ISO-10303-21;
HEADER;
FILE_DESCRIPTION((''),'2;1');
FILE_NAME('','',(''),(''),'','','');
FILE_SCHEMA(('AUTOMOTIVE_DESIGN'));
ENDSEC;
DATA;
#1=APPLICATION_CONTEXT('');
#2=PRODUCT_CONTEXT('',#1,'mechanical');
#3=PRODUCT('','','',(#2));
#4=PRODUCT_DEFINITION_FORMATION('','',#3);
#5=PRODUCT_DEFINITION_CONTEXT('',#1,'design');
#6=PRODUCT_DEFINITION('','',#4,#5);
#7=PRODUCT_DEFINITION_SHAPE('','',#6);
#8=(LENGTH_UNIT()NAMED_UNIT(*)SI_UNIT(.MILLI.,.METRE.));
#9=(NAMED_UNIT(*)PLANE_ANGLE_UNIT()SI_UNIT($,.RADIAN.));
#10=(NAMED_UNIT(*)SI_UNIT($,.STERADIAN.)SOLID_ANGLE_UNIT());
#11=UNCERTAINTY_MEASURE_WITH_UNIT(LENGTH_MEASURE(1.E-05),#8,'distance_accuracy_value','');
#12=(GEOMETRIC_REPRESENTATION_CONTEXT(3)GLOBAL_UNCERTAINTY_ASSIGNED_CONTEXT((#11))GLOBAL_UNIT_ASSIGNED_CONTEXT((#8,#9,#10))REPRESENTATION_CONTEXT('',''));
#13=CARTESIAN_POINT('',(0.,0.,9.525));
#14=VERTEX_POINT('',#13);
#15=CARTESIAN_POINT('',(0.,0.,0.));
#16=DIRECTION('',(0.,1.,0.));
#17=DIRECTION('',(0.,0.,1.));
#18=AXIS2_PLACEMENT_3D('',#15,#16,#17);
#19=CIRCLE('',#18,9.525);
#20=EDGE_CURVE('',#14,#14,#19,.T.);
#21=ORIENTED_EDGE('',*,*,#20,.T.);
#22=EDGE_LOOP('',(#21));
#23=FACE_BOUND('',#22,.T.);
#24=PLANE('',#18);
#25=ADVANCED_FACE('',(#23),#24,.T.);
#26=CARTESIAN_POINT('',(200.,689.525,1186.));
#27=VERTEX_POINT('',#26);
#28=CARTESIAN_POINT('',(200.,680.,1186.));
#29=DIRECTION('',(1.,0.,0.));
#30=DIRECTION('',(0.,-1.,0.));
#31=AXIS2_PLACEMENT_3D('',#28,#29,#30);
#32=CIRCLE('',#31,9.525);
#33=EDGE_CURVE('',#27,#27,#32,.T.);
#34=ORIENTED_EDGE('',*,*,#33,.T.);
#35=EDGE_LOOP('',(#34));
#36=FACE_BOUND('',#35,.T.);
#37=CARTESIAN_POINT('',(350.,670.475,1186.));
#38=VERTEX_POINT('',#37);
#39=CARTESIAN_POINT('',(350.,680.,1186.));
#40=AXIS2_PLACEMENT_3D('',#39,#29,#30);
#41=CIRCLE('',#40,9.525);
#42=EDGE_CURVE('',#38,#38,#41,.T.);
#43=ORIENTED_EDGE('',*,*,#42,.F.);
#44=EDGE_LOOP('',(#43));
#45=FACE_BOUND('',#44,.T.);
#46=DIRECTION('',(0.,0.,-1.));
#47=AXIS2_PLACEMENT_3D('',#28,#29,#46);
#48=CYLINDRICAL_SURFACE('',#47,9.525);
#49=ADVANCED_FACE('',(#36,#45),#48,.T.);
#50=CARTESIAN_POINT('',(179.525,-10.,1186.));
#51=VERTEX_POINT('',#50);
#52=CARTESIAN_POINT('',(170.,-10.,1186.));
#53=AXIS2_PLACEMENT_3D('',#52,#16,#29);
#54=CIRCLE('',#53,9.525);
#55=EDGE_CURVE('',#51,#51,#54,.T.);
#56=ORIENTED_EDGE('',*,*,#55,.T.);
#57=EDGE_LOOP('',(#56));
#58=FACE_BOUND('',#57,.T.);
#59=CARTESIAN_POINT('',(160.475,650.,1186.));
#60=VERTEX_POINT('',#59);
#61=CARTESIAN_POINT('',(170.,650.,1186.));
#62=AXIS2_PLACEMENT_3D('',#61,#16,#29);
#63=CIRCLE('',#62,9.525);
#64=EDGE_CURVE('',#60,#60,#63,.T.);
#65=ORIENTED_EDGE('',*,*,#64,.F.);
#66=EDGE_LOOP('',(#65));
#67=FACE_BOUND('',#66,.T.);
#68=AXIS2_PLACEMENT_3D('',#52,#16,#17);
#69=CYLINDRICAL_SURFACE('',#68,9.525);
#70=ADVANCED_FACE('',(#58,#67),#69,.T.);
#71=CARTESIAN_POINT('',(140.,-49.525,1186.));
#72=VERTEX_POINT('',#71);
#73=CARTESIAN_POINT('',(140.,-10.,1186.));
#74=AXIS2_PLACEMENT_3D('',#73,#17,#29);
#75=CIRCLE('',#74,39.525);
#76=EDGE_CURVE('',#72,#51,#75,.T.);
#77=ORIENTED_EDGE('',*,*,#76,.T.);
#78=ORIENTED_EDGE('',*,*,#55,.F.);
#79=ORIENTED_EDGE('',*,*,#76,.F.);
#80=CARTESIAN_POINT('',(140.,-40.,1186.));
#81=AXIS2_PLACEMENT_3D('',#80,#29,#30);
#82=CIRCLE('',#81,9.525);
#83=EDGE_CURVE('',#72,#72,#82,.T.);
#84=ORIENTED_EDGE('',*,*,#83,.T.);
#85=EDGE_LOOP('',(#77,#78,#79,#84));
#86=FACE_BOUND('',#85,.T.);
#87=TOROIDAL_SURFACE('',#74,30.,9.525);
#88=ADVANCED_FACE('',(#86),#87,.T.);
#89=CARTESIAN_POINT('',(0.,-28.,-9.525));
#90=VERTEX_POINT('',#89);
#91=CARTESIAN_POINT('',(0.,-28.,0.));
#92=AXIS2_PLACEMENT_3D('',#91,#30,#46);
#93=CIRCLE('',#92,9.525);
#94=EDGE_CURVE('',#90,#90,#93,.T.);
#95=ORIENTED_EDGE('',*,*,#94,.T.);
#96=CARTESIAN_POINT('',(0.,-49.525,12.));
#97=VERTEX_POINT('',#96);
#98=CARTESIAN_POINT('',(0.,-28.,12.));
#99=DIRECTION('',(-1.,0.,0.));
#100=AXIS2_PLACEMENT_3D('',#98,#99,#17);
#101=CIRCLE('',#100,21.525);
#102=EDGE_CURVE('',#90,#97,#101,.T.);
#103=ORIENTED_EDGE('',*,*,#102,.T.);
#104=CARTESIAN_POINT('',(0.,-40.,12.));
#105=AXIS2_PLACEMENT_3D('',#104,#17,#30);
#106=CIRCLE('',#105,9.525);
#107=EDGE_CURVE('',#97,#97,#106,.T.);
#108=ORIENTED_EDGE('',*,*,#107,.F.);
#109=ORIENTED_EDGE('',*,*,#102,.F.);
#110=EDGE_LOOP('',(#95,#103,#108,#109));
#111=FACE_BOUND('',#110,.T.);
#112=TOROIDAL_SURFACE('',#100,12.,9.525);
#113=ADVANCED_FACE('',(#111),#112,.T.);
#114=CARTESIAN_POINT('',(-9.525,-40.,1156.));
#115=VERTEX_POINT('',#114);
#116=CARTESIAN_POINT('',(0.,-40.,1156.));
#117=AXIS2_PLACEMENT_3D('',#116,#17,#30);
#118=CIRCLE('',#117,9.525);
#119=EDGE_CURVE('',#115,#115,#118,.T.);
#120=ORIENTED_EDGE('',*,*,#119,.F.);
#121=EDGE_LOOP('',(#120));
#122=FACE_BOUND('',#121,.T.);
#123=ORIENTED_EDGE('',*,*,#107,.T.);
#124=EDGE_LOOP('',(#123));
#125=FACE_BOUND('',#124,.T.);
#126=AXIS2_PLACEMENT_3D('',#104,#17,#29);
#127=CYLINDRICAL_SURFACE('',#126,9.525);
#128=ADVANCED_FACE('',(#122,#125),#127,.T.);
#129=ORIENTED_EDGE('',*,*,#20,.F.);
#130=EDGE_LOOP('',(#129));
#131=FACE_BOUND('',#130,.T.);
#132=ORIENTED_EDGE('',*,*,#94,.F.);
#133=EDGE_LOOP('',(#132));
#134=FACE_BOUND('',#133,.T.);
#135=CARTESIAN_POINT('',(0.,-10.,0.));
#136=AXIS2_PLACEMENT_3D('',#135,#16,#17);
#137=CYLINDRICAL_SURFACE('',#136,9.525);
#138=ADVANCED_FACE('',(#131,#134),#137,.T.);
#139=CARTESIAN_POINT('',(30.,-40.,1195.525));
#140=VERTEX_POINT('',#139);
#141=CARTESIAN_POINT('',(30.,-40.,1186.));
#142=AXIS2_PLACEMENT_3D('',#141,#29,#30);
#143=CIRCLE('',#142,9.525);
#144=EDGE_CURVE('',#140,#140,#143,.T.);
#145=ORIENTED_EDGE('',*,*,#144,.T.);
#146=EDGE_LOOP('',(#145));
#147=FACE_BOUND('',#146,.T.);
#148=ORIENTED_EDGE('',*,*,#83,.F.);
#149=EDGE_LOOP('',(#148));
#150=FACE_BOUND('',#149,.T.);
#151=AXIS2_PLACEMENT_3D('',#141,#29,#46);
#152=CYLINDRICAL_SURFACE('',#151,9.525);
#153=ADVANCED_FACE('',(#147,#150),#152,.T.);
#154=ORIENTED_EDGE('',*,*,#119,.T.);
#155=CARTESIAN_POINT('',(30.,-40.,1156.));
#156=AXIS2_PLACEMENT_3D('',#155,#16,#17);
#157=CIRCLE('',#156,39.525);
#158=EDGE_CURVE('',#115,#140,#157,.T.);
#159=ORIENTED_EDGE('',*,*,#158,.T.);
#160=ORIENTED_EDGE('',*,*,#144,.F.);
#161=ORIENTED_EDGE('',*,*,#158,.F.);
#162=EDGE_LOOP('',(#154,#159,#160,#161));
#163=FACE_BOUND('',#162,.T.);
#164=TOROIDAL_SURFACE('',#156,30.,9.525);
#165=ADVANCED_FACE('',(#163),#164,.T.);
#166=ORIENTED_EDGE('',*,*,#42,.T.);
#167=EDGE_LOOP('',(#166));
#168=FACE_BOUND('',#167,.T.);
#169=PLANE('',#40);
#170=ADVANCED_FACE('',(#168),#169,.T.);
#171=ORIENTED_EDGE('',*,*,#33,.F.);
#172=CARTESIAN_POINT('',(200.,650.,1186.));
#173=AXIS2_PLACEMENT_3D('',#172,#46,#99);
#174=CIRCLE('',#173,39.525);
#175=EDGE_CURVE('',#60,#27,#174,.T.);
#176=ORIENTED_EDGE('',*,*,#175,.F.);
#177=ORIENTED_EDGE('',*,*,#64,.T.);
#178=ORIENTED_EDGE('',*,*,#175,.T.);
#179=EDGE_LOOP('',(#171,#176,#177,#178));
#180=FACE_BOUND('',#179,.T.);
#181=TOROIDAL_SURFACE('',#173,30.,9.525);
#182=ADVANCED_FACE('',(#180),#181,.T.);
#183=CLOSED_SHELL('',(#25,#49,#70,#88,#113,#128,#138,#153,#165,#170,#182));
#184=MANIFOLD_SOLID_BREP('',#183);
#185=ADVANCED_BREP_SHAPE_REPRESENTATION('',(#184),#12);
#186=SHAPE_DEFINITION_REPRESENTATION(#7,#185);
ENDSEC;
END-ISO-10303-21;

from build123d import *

# Parameters (mm, degrees)
CROQUIS1_R              = 9.525
SALIENTE_EXTRUIR1_DEPTH = 10
CROQUIS2_R              = 9.525


with BuildPart() as part:
    # Croquis1 → Saliente-Extruir1 (new body)
    with BuildSketch(Plane(origin=(0, 0, 0), x_dir=(1, 0, 0), z_dir=(0, 1, 0))):
        with Locations(Location((0, 0, 0), (0, 0, 270))):
            Circle(CROQUIS1_R)
    extrude(amount=-SALIENTE_EXTRUIR1_DEPTH)

    # Barrer1: sweep along a curve in space
    with BuildLine() as barrer1_path:
        Line((0, -10, 0), (0, -28, 0))
        ThreePointArc((0, -28, 0), (0, -36.485281374, 3.514718626), (0, -40, 12))
        Line((0, -40, 12), (0, -40, 1156))
        ThreePointArc((0, -40, 1156), (8.786796564, -40, 1177.213203436), (30, -40, 1186))
        Line((30, -40, 1186), (140, -40, 1186))
        ThreePointArc((140, -40, 1186), (161.213203436, -31.213203436, 1186), (170, -10, 1186))
        Line((170, -10, 1186), (170, 650, 1186))
        ThreePointArc((170, 650, 1186), (178.786796564, 671.213203436, 1186), (200, 680, 1186))
        Line((200, 680, 1186), (350, 680, 1186))
    # Croquis2 → Barrer1 (sweep)
    with BuildSketch(Plane.XZ.offset(10)):
        Circle(CROQUIS2_R)
    sweep(path=barrer1_path.line)


solid = part.part
